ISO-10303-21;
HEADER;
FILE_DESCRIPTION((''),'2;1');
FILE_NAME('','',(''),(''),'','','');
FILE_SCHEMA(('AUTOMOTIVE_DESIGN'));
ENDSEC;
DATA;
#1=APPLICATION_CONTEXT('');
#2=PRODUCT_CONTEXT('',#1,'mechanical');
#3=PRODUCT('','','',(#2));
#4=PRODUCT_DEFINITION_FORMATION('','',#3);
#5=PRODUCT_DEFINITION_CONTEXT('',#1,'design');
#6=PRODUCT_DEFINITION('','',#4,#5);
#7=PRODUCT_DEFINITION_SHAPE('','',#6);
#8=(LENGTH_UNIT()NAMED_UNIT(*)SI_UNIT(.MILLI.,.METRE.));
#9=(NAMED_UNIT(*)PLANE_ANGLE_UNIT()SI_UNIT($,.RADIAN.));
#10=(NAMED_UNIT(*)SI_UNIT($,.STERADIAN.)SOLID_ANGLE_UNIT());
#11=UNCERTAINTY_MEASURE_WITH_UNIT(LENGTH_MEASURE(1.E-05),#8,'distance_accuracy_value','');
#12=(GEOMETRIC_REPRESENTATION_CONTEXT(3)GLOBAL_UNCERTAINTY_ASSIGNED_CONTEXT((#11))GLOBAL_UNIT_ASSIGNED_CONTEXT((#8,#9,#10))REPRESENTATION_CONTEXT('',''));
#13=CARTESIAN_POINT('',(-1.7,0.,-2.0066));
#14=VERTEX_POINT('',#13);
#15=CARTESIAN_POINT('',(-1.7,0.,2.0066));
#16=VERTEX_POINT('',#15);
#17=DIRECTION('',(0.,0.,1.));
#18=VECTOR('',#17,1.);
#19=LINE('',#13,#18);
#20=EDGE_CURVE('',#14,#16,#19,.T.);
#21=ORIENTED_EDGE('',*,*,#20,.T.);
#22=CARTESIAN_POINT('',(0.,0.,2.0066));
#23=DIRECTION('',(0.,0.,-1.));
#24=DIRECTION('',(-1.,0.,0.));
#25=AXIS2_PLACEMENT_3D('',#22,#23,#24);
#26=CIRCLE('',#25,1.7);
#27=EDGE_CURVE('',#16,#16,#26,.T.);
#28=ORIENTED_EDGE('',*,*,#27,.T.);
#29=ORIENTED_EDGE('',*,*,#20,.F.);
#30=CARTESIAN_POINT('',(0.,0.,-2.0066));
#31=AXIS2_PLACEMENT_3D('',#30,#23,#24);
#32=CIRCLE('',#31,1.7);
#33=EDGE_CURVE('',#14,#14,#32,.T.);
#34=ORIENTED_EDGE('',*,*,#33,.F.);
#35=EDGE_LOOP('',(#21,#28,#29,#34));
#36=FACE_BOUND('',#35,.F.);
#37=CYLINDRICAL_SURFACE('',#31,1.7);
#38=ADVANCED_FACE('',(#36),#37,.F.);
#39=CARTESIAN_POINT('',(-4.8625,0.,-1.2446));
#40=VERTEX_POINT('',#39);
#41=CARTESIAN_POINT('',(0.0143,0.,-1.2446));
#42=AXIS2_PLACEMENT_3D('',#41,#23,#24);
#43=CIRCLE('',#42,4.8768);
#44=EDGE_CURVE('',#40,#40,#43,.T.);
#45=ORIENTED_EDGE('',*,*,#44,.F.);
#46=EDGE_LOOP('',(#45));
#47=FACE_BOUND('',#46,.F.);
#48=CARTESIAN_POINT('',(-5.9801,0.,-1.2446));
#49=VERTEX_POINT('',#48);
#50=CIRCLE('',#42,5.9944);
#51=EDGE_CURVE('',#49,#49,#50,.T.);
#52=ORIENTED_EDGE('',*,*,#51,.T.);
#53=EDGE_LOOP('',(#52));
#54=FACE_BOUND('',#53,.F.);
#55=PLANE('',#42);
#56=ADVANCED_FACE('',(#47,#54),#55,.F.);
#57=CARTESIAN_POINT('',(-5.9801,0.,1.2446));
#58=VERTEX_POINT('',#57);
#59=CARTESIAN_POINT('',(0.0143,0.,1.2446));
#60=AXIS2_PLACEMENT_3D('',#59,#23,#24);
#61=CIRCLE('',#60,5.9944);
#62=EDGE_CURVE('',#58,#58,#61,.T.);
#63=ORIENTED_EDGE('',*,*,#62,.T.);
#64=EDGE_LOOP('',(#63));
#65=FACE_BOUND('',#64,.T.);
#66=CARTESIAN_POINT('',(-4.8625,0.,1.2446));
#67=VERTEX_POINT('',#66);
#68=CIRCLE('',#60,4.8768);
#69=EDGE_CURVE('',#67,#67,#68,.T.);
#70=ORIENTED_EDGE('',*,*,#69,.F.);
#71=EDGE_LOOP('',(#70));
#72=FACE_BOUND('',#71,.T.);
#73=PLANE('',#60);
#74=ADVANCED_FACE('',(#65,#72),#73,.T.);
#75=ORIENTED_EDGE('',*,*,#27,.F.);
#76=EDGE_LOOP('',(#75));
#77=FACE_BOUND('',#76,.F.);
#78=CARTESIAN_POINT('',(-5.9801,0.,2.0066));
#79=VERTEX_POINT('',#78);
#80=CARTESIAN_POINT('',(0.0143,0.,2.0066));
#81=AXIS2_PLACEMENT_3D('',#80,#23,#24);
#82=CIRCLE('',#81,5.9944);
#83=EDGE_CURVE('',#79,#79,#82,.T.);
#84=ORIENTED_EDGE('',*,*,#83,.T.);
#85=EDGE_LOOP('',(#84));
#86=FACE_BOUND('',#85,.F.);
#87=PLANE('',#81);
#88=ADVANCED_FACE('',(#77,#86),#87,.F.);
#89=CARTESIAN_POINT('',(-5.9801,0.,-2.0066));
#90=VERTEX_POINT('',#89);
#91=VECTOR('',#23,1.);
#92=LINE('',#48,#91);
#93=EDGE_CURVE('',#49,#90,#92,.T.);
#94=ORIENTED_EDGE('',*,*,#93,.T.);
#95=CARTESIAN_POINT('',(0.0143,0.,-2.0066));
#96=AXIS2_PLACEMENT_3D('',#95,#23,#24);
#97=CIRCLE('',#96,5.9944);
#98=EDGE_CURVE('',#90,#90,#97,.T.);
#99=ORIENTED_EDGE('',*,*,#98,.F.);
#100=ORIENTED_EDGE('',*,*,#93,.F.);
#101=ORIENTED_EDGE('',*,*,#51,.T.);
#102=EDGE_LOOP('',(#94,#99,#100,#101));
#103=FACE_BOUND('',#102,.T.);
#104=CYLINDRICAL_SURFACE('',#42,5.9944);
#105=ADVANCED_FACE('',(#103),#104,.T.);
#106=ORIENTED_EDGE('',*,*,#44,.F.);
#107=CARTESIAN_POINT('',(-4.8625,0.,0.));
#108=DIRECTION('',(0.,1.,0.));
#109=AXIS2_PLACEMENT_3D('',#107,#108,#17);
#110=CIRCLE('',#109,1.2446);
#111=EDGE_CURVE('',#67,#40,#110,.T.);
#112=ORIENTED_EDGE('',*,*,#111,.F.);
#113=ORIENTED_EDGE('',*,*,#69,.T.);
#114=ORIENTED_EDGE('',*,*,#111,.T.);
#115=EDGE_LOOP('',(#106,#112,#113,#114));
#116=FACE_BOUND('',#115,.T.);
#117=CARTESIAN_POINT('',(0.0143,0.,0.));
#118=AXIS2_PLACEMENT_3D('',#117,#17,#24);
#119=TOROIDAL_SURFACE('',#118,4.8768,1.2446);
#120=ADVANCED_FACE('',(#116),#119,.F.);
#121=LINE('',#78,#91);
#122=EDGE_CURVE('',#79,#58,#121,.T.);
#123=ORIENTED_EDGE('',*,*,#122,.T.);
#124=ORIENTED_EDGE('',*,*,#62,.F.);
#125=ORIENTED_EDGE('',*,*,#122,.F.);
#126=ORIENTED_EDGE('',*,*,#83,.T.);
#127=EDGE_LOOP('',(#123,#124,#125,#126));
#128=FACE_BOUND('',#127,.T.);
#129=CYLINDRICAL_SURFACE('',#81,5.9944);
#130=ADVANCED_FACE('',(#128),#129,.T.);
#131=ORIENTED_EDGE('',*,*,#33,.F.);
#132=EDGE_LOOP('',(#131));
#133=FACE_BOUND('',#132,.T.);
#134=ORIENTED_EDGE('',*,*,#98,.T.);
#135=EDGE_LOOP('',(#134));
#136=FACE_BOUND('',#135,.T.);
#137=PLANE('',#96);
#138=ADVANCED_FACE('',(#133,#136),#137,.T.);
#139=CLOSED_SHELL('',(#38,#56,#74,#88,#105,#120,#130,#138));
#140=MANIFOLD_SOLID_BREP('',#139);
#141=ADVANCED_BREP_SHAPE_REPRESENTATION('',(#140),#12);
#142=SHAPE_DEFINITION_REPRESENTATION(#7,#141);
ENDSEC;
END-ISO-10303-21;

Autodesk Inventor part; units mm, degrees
ref_plane "YZ Plane" through (0, 0, 0) normal (1, 0, 0) x (0, 1, 0)
ref_plane "XZ Plane" through (0, 0, 0) normal (0, 1, 0) x (-1, 0, 0)
sketch "Sketch1" plane through (0, 0, 0) normal (0, 1, 0) x (-1, 0, 0)
  line L0 (5.9801, -2.0066) -> (-0.0143, -2.0066)
  line L1 (5.9801, 2.0066) -> (-0.0143, 2.0066)
  line L2 (5.9801, 1.2446) -> (4.8625, 1.2446)
  line L3 (4.8625, 2.0066) -> (4.8625, -2.0066) construction
  line L4 (5.9801, 2.0066) -> (5.9801, 1.2446)
  line L5 (5.9801, -1.2446) -> (5.9801, -2.0066)
  line L6 (-0.0143, 2.0066) -> (-0.0143, -2.0066)
  line L7 (0, 0) -> (5.9944, 0) construction
  line L8 (3.6179, 2.0066) -> (3.6179, -2.0066) construction
  arc A0 (4.8625, 1.2446) -> (4.8625, -1.2446) centre (4.8625, 0) ccw
  line L9 (5.9801, -1.2446) -> (4.8625, -1.2446)
  line L10 (-0.0143, -1.2446) -> (-0.046, -1.2446)
  dimension "d4" = 0.762
  dimension "d6" = 2.0066
  dimension "d7" = 2.0066
  dimension "d9" = 1.1176
  dimension "d10" = 5.9944
  dimension "d11" = 5.9944
  dimension "d12" = 0.762
  dimension "d13" = 1.2446
  dimension "d15" = 1.2446
revolve "Revolution1" add sketch "Sketch1" angle 360 about axis through (0.0143, 0, 2.0066) along (0, 0, -1)
sketch "Sketch2" plane through (0.0143, 0, -2.0066) normal (0, 0, -1) x (-1, 0, 0)
  circle A0 centre (0.0143, 0) radius 1.7
  dimension "d17" = 3.4
extrude "Extrusion1" cut sketch "Sketch2" against normal through all
ref_plane "Work Plane1" through (0.0143, 0, 0) normal (0, 0, 1) x (1, 0, 0)
equation "\"d7\" = d6"
equation "\"d11\" = d10"
equation "\"d12\" = d4"
equation "\"d15\" = d14"
equation "\"d14\" = 1.2446"
properties part number "plastic pulley deep u"
